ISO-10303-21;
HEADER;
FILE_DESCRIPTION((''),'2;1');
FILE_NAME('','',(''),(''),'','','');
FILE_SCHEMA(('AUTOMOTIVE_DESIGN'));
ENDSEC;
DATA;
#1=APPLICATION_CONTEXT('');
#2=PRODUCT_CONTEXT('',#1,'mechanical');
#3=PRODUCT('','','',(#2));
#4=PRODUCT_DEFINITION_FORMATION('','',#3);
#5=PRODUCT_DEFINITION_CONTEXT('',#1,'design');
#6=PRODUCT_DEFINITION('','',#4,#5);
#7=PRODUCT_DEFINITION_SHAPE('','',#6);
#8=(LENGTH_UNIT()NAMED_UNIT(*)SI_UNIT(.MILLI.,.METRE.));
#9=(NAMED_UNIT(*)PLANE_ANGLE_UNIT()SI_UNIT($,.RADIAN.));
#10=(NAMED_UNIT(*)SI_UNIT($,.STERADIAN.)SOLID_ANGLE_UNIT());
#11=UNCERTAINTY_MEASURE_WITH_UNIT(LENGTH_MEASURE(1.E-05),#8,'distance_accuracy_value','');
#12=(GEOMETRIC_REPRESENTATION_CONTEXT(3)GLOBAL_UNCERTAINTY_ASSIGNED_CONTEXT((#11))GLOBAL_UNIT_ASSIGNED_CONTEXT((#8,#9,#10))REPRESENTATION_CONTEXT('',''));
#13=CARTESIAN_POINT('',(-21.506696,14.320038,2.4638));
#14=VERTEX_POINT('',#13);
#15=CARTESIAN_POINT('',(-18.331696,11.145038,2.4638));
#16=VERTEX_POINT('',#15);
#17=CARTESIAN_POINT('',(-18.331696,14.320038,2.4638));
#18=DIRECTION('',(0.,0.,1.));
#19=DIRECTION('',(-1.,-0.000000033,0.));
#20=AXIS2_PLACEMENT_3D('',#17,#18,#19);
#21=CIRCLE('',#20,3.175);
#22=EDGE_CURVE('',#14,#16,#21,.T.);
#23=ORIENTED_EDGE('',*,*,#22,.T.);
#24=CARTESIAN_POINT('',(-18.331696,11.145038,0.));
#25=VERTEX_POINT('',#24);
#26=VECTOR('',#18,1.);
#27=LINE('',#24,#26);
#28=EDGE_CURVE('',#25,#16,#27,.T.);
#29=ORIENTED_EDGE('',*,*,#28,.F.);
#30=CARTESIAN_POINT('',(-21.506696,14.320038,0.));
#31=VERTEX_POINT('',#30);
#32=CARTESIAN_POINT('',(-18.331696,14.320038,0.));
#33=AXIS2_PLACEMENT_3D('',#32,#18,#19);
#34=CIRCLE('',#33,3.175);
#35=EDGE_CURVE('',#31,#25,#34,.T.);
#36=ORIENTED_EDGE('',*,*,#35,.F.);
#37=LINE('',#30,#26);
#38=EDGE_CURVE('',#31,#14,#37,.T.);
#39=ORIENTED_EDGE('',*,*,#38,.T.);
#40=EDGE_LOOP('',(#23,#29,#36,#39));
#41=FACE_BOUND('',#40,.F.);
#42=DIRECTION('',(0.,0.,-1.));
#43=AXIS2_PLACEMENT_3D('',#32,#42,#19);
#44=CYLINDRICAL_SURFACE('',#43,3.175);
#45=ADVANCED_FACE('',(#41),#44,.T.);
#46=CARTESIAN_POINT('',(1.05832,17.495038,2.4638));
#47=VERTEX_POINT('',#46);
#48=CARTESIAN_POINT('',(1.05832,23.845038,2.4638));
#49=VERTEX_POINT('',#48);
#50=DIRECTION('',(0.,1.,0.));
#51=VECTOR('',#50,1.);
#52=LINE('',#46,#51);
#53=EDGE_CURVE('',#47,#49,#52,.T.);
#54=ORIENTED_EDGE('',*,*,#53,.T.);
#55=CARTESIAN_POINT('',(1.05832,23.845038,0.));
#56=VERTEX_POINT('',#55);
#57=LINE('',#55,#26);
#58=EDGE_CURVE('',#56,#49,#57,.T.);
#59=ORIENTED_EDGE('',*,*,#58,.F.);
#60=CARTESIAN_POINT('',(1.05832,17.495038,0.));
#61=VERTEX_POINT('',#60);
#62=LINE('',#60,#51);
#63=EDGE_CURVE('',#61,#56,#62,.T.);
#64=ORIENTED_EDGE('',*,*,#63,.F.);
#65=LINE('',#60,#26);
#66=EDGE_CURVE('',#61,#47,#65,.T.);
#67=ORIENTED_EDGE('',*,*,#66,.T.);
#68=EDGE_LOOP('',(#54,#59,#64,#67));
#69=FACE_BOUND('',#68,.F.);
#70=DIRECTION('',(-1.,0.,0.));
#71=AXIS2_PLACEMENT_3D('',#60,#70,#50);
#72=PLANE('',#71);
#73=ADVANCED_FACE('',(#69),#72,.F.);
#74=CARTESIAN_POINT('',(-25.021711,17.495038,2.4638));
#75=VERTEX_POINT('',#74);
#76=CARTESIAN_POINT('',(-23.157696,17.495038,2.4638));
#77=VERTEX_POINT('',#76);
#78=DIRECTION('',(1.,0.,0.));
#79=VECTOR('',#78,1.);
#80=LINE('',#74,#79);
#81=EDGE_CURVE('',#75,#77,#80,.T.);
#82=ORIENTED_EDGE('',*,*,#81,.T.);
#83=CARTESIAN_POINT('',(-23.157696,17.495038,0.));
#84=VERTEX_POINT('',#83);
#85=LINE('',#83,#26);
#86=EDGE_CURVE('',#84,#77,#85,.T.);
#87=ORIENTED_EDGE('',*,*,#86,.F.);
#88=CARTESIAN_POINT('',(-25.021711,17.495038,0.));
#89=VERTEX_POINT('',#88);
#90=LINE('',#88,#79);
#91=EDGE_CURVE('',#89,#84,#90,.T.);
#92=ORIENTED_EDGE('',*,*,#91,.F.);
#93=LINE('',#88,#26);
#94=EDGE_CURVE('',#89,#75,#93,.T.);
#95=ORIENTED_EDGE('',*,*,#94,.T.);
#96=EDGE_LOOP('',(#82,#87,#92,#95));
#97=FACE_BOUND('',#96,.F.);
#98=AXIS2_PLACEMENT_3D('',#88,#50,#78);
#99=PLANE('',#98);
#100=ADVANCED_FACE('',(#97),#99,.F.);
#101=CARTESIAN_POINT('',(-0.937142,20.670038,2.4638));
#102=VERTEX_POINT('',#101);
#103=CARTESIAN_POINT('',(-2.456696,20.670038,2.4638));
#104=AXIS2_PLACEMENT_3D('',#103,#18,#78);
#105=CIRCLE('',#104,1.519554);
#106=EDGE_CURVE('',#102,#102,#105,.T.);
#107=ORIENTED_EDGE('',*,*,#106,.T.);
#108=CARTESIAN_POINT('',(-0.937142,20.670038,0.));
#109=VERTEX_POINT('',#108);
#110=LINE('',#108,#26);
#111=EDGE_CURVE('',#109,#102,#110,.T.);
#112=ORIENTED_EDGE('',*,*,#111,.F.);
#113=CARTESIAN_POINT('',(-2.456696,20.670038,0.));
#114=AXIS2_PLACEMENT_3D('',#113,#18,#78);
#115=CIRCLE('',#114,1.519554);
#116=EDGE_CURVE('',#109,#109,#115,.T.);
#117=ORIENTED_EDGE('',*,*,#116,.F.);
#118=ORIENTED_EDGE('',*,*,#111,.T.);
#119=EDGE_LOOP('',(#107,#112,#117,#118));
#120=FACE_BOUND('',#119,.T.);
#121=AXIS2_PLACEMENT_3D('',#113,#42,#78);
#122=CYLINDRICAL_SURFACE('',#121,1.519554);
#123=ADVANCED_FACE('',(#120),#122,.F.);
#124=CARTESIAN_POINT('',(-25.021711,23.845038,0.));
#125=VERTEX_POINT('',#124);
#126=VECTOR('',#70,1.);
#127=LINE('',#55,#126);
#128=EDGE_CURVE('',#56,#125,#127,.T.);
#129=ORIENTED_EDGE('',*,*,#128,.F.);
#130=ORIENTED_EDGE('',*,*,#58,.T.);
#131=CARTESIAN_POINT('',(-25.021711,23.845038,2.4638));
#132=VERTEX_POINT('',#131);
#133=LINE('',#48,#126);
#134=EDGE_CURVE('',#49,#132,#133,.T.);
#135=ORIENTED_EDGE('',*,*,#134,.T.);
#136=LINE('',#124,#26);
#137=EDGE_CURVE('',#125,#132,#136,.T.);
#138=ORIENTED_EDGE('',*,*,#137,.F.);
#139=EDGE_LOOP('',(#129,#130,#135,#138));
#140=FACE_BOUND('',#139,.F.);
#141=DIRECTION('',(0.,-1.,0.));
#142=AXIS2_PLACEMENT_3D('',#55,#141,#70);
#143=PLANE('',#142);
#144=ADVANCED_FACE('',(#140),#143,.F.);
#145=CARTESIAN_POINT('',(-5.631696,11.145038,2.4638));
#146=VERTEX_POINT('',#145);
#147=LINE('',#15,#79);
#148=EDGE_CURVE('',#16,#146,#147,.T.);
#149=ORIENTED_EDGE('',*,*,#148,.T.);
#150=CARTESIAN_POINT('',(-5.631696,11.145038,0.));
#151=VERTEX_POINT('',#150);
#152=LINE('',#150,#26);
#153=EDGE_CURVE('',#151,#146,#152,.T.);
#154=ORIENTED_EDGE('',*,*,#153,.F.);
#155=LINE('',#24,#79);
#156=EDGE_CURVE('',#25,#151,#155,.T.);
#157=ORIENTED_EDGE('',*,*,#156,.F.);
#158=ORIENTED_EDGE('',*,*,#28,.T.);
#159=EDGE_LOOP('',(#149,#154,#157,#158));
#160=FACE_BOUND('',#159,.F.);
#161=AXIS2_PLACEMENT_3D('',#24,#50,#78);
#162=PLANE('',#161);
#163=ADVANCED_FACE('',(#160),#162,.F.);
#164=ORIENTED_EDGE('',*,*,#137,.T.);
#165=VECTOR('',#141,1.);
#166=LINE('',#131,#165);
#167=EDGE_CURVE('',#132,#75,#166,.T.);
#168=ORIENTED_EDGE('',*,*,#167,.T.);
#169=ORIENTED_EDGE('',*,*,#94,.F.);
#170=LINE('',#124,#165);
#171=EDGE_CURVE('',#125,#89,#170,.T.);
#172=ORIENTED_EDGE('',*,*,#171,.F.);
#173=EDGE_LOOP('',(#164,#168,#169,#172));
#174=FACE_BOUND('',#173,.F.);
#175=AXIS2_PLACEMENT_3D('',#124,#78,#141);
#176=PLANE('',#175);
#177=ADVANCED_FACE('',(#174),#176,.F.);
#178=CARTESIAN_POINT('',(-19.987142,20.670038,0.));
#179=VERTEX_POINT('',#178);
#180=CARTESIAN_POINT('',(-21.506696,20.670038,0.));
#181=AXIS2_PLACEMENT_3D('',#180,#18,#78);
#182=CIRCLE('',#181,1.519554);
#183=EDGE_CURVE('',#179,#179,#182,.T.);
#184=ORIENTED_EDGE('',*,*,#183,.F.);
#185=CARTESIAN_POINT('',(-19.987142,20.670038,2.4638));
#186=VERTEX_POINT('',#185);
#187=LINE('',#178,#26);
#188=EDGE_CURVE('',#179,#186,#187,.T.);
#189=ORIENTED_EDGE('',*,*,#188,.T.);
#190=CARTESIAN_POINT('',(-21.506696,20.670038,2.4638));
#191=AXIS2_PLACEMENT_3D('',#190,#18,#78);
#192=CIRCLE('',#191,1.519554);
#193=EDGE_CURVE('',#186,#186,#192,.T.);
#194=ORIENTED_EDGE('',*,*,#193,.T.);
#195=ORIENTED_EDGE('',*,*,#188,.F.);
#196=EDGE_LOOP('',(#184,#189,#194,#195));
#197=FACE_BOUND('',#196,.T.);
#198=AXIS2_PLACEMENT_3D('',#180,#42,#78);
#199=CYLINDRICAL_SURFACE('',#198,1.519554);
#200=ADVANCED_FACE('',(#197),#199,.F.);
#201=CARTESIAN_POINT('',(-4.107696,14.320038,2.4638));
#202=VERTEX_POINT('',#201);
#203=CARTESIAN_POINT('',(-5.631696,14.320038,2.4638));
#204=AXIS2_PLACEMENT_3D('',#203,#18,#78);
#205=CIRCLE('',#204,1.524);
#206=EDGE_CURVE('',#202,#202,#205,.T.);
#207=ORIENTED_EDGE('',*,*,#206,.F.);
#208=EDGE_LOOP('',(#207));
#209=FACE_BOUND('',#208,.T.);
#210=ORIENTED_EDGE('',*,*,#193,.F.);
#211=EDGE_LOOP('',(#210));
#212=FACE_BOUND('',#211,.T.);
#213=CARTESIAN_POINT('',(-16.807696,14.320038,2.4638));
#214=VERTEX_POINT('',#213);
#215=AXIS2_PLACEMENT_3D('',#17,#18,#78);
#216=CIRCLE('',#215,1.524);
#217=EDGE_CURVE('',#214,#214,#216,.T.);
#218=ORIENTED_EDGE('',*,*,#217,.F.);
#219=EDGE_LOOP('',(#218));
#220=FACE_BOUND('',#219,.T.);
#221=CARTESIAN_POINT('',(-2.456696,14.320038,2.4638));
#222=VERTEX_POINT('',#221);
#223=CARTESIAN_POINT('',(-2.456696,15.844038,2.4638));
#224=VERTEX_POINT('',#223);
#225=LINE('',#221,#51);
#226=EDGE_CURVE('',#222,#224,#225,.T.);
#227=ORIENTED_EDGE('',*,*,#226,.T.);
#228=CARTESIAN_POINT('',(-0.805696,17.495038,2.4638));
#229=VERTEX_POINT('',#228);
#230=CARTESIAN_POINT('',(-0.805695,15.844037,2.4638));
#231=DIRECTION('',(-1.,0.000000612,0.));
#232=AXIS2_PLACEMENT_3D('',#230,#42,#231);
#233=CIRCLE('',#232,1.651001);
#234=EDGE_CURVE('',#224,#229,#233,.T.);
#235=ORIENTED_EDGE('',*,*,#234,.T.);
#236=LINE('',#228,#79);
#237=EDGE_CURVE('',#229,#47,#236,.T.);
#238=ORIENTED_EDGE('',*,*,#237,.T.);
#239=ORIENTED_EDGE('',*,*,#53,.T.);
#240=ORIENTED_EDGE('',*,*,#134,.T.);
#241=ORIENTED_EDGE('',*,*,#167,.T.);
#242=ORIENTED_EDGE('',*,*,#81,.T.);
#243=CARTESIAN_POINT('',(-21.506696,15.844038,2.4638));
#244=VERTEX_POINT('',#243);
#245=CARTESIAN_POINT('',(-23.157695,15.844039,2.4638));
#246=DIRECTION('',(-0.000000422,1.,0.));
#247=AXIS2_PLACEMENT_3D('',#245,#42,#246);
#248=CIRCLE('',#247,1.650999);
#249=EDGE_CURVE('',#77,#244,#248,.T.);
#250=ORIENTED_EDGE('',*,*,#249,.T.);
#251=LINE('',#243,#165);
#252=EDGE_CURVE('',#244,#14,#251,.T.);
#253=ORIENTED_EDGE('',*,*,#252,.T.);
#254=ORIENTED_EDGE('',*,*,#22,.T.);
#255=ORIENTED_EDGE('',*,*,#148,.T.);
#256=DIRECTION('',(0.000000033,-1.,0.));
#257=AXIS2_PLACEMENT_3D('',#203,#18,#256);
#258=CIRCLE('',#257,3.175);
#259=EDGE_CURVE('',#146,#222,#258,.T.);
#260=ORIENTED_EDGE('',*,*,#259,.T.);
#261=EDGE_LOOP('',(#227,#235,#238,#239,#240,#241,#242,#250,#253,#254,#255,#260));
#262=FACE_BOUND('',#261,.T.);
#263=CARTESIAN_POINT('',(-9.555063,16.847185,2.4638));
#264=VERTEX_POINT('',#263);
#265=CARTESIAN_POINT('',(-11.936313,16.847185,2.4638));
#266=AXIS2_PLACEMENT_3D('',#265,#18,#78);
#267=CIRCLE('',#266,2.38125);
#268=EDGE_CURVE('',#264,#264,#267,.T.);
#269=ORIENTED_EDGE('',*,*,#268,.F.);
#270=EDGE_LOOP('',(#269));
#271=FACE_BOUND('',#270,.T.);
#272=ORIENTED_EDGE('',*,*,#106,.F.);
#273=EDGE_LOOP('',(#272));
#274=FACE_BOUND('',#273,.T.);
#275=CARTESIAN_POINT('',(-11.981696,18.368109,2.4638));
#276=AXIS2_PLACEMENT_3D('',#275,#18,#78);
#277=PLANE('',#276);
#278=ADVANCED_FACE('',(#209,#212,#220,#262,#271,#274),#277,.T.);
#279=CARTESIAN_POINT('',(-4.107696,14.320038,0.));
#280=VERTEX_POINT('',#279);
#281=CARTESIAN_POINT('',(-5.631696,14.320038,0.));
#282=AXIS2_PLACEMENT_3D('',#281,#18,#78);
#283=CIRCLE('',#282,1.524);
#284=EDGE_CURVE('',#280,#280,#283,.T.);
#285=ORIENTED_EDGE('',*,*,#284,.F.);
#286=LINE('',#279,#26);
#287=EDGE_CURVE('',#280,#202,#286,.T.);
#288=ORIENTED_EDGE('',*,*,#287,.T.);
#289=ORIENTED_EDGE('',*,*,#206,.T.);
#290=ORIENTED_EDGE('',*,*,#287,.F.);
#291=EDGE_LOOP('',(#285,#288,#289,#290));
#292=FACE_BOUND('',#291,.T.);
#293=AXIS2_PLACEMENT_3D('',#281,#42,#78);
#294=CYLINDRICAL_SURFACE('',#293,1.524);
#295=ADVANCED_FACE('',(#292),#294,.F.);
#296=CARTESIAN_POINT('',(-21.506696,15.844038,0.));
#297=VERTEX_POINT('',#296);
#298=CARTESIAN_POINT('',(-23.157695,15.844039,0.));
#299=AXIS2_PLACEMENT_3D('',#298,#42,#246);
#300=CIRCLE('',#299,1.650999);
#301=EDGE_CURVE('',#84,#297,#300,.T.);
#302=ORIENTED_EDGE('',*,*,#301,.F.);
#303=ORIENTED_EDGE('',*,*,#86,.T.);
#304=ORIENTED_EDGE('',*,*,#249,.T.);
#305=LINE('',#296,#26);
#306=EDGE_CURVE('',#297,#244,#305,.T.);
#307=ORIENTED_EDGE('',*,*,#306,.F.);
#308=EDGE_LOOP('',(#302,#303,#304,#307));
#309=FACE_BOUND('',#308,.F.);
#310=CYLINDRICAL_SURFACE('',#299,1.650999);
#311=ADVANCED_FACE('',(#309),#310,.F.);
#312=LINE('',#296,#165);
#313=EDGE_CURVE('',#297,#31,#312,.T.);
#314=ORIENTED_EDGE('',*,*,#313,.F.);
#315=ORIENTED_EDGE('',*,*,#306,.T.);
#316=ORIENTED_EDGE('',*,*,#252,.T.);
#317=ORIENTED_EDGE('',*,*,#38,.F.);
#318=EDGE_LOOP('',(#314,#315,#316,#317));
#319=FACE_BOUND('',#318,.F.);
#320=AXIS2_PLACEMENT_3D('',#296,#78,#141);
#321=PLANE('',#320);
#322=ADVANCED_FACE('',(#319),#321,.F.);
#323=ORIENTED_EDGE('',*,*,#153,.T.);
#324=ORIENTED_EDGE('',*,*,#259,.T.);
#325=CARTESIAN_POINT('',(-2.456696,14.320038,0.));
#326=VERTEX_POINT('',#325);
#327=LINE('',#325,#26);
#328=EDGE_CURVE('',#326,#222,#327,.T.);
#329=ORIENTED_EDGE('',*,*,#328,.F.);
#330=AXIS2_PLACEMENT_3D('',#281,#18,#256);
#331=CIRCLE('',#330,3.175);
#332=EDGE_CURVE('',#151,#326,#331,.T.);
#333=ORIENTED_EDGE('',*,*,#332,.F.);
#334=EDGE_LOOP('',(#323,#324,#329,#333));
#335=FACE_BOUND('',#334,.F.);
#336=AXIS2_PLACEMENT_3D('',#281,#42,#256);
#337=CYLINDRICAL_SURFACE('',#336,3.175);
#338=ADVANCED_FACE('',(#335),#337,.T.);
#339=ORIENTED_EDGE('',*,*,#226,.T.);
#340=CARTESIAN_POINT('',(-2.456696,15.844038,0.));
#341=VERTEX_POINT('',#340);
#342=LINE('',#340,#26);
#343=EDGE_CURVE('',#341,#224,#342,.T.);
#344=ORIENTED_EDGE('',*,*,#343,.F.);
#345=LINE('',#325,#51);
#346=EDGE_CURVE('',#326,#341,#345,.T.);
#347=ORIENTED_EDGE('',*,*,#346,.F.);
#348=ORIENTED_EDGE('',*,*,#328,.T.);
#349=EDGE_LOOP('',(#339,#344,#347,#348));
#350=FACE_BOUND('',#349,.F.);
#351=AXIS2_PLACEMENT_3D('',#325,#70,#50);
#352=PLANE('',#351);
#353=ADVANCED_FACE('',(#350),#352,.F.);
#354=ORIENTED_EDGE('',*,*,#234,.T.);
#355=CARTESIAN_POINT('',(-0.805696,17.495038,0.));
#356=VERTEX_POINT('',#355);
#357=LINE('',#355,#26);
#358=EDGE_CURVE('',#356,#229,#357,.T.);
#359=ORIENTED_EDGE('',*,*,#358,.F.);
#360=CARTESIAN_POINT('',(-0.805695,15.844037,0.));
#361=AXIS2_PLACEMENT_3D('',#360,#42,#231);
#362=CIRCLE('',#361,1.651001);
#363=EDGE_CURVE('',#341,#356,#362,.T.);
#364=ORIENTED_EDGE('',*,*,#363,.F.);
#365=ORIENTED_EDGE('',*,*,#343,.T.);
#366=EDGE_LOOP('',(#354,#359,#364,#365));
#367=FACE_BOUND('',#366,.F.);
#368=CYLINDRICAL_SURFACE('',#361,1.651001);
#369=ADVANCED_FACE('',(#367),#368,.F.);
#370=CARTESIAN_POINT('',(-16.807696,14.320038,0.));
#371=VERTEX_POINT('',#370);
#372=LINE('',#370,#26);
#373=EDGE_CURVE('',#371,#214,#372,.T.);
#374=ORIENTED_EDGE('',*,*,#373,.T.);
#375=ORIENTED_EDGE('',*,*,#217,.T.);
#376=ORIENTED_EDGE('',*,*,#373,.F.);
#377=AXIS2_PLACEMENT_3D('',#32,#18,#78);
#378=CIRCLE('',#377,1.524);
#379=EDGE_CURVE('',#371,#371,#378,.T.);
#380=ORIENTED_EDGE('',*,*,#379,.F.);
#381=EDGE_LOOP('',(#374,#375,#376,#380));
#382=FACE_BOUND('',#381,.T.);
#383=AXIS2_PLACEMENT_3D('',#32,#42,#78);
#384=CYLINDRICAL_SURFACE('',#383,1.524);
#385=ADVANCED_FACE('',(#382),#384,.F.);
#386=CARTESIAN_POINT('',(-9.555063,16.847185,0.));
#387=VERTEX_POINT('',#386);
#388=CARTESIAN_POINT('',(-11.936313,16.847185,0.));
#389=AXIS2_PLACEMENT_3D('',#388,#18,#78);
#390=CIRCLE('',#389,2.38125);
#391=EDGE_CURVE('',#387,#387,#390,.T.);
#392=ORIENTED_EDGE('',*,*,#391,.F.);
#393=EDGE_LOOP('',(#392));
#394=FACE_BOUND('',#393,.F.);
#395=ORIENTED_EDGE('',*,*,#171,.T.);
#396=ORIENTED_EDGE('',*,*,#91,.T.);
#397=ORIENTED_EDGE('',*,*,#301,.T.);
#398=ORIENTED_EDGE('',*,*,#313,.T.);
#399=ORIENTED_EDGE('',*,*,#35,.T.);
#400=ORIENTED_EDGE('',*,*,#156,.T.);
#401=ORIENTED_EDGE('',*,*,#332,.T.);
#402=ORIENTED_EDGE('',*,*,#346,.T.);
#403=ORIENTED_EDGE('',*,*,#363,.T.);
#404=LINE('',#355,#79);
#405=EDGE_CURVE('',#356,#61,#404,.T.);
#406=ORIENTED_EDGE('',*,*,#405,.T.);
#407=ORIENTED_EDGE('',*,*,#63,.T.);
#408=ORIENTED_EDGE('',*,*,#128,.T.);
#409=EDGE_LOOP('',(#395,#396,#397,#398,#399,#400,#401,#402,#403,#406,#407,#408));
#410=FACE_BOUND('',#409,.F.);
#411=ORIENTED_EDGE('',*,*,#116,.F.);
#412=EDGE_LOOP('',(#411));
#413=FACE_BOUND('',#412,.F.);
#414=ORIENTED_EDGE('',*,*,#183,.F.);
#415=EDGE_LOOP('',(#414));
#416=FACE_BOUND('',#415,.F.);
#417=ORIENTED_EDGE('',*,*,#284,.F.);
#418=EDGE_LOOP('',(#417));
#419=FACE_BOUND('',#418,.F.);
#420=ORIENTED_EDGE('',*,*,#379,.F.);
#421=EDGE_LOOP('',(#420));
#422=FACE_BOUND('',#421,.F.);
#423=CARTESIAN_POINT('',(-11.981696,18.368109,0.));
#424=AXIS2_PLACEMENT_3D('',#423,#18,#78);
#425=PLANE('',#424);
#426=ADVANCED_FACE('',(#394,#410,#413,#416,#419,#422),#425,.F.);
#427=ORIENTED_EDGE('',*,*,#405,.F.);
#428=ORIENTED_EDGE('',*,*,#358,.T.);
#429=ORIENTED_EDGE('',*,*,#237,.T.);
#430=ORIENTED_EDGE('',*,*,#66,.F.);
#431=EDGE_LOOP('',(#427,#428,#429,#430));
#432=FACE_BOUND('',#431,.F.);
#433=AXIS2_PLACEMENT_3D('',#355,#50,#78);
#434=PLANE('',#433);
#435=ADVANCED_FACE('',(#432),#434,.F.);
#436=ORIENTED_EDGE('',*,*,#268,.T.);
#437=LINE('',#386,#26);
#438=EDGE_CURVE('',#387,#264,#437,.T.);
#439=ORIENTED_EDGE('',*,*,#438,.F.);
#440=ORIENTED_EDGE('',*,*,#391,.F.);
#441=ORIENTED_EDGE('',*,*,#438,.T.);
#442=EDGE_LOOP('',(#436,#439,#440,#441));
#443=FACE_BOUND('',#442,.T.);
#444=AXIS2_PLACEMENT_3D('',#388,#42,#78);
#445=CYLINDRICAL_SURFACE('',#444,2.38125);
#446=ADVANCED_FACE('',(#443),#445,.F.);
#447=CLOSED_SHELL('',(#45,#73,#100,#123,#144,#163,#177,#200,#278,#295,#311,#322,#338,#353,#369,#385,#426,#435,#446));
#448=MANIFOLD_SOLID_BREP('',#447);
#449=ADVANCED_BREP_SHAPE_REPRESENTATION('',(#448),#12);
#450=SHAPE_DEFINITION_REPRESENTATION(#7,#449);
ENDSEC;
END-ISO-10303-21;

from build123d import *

# Parameters (mm, degrees)
F0_R     = 1.524
F0_R_2   = 2.38125
F0_R_3   = 1.519554
F1_DEPTH = 2.4638


with BuildPart() as f1:
    # F0 (on Top) → F1 (new body)
    with BuildSketch(Plane.XY):
        with BuildLine():
            ThreePointArc((-21.506696, 14.320038), (-20.57676, 12.074974), (-18.331696, 11.145038))
            Line((-18.331696, 11.145038), (-17.426178, 11.145038))
            Line((-17.426178, 11.145038), (-6.537213, 11.145038))
            Line((-6.537213, 11.145038), (-5.631696, 11.145038))
            ThreePointArc((-5.631696, 11.145038), (-3.386632, 12.074974), (-2.456696, 14.320038))
            Line((-2.456696, 14.320038), (-2.456696, 15.844038))
            ThreePointArc((-2.456696, 15.844038), (-1.973129, 17.011471), (-0.805696, 17.495038))
            Line((-0.805696, 17.495038), (-0.59268, 17.495038))
            Line((-0.59268, 17.495038), (1.05832, 17.495038))
            Line((1.05832, 17.495038), (1.05832, 19.146038))
            Line((1.05832, 19.146038), (1.05832, 22.194038))
            Line((1.05832, 22.194038), (1.05832, 23.845038))
            Line((1.05832, 23.845038), (-0.59268, 23.845038))
            Line((-0.59268, 23.845038), (-2.456696, 23.845038))
            Line((-2.456696, 23.845038), (-4.92218, 23.845038))
            Line((-4.92218, 23.845038), (-18.700644, 23.845038))
            Line((-18.700644, 23.845038), (-23.370711, 23.845038))
            Line((-23.370711, 23.845038), (-25.021711, 23.845038))
            Line((-25.021711, 23.845038), (-25.021711, 22.194038))
            Line((-25.021711, 22.194038), (-25.021711, 19.146038))
            Line((-25.021711, 19.146038), (-25.021711, 17.495038))
            Line((-25.021711, 17.495038), (-23.370711, 17.495038))
            Line((-23.370711, 17.495038), (-23.157696, 17.495038))
            ThreePointArc((-23.157696, 17.495038), (-21.990262, 17.011471), (-21.506696, 15.844038))
            Line((-21.506696, 15.844038), (-21.506696, 14.320038))
        make_face()
        with Locations((-18.331696, 14.320038)):
            Circle(F0_R, mode=Mode.SUBTRACT)
        with Locations((-5.631696, 14.320038)):
            Circle(F0_R, mode=Mode.SUBTRACT)
        with Locations((-11.936313, 16.847185)):
            Circle(F0_R_2, mode=Mode.SUBTRACT)
        with Locations((-21.506696, 20.670038)):
            Circle(F0_R_3, mode=Mode.SUBTRACT)
        with Locations((-2.456696, 20.670038)):
            Circle(F0_R_3, mode=Mode.SUBTRACT)
    extrude(amount=F1_DEPTH)


solid = f1.part
